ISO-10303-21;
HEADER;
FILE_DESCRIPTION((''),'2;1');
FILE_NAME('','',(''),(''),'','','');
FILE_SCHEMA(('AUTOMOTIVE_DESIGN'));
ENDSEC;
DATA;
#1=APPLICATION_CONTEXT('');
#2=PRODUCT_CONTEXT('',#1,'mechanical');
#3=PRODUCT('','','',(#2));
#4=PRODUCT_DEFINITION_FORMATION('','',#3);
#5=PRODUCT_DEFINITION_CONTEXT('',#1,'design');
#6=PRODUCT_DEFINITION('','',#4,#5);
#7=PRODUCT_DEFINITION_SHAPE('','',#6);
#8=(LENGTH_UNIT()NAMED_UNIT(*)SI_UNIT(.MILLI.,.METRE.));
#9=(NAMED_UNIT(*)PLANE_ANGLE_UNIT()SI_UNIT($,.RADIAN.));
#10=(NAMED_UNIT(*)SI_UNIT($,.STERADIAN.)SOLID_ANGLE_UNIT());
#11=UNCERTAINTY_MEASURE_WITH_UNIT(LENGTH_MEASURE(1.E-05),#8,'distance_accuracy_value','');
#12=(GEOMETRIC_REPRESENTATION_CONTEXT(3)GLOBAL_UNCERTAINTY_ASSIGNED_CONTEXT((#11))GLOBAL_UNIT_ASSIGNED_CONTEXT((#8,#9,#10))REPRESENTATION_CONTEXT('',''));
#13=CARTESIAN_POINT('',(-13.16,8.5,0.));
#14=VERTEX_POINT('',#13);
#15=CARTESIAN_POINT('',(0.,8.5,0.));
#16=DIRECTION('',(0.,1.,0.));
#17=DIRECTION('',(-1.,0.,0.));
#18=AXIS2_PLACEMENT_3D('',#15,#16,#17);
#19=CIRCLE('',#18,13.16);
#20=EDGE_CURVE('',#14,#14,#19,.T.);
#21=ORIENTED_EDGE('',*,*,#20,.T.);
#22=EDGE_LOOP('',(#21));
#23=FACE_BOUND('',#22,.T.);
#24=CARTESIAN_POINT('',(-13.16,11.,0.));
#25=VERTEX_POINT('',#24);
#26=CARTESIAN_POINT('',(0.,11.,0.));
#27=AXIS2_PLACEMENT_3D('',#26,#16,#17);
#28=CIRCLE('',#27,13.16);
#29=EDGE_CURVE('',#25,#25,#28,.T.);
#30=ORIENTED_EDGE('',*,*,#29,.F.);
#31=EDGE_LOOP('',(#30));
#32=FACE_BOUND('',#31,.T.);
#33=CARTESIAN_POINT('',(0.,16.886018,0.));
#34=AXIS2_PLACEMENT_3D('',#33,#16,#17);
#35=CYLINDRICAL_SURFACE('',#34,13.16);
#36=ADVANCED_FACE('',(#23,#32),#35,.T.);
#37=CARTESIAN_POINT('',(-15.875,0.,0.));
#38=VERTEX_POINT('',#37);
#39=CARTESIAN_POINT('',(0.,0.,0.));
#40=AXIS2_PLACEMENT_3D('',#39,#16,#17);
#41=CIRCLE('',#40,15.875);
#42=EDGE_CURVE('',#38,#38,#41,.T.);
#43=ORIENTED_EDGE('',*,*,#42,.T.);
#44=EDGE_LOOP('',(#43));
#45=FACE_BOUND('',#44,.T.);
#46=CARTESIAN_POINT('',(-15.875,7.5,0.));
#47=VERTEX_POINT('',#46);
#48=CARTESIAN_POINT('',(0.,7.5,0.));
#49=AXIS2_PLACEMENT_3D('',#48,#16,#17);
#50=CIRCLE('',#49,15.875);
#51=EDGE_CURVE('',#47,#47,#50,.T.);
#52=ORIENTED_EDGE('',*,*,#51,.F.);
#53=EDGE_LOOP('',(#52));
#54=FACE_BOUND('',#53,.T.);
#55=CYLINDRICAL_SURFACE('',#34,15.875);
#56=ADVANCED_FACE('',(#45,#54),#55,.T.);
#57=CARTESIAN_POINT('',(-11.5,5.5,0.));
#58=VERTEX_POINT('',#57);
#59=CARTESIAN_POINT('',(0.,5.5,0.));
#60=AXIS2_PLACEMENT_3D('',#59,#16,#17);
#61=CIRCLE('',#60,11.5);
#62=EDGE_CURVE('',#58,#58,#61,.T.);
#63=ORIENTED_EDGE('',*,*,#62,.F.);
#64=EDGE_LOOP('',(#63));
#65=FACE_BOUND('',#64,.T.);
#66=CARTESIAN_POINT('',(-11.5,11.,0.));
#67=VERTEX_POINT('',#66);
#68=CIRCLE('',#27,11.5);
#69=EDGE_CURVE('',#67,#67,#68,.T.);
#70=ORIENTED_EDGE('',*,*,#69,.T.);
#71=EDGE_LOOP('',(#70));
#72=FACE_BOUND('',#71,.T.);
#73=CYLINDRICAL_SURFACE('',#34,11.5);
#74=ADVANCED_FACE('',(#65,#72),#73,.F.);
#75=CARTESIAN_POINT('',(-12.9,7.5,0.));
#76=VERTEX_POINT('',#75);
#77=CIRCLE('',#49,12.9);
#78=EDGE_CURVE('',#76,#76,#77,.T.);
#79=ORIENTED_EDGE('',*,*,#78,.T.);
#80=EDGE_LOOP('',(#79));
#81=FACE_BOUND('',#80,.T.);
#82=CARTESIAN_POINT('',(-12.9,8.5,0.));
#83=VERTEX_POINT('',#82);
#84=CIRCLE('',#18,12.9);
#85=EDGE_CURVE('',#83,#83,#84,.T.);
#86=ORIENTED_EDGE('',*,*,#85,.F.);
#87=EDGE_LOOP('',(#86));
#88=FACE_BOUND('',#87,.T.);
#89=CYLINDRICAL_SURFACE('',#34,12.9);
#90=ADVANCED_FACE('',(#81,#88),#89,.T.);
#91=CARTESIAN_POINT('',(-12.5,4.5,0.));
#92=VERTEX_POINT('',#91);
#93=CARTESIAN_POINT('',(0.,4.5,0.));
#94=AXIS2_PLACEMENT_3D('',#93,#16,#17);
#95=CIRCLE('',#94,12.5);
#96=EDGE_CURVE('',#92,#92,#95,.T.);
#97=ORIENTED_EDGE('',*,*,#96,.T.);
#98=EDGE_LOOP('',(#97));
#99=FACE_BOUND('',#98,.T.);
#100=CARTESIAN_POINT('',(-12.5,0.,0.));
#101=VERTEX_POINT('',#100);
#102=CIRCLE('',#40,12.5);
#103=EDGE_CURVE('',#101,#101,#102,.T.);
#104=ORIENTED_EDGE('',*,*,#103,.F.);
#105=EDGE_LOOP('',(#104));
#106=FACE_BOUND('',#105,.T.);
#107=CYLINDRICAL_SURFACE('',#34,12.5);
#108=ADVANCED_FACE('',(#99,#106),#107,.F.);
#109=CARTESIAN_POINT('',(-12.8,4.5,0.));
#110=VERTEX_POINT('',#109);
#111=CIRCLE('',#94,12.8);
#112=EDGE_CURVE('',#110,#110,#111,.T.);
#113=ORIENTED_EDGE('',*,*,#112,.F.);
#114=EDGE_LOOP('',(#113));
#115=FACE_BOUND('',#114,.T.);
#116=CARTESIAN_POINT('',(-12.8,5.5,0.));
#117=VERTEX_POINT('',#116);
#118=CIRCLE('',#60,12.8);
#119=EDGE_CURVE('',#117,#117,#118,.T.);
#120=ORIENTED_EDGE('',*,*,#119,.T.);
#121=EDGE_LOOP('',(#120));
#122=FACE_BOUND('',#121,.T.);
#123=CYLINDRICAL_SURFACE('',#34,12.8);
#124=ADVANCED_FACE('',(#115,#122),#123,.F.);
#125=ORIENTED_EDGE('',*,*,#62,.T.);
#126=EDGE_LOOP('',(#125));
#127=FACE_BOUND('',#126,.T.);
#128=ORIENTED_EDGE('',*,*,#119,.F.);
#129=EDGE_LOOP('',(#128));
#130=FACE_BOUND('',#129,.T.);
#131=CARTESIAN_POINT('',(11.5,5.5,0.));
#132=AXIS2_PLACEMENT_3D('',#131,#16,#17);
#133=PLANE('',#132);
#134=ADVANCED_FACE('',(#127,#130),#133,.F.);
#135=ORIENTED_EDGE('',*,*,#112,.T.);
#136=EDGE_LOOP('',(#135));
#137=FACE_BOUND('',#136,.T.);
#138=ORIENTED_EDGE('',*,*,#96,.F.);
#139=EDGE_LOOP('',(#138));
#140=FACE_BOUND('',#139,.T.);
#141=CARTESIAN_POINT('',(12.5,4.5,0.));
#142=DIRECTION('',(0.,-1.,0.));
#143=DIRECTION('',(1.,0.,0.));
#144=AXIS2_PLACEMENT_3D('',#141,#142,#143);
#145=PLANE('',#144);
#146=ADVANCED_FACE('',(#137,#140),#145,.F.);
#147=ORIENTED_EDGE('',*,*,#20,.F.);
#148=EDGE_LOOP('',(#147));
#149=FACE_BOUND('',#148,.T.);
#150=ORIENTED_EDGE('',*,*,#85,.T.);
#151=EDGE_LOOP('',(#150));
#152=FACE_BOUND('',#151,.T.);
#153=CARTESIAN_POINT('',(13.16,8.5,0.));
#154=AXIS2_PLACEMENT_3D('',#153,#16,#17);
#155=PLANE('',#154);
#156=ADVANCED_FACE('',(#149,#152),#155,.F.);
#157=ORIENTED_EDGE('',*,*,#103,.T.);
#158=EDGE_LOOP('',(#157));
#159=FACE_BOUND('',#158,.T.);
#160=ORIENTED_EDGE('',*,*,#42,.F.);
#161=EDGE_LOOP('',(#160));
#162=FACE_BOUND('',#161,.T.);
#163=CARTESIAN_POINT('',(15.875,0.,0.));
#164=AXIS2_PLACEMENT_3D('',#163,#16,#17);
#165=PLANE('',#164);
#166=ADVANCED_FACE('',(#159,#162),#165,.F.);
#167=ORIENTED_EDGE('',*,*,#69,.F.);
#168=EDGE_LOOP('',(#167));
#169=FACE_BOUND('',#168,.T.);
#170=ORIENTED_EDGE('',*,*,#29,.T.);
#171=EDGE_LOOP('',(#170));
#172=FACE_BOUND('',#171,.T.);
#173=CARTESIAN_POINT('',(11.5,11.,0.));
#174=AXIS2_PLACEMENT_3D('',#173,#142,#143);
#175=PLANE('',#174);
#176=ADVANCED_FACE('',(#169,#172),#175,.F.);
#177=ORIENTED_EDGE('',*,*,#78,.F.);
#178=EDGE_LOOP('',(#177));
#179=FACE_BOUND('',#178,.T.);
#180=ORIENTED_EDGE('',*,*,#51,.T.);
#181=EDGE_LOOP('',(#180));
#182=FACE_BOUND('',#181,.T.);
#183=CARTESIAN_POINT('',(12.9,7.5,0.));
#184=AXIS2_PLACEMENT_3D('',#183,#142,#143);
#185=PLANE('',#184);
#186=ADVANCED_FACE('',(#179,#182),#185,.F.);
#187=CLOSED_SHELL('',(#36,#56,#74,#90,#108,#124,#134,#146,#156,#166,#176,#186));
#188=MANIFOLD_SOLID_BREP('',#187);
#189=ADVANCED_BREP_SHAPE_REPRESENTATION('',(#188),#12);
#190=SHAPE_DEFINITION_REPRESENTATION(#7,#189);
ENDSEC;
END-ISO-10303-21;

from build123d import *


with BuildPart() as part:
    # 草图1 → 旋转1 (revolve)
    with BuildSketch(Plane.XY, mode=Mode.PRIVATE) as revolve_1_sk:
        Polygon((12.5, 0), (12.5, 4.5), (12.8, 4.5), (12.8, 5.5), (11.5, 5.5), (11.5, 11), (13.16, 11), (13.16, 8.5), (12.9, 8.5), (12.9, 7.5), (15.875, 7.5), (15.875, 0), align=None)
    revolve(revolve_1_sk.sketch.rotate(Axis((0, 16.886018237, 0), (0, -1, 0)), 180), axis=Axis((0, 16.886018237, 0), (0, -1, 0)))  # turned: the seam where the file's is


solid = part.part
